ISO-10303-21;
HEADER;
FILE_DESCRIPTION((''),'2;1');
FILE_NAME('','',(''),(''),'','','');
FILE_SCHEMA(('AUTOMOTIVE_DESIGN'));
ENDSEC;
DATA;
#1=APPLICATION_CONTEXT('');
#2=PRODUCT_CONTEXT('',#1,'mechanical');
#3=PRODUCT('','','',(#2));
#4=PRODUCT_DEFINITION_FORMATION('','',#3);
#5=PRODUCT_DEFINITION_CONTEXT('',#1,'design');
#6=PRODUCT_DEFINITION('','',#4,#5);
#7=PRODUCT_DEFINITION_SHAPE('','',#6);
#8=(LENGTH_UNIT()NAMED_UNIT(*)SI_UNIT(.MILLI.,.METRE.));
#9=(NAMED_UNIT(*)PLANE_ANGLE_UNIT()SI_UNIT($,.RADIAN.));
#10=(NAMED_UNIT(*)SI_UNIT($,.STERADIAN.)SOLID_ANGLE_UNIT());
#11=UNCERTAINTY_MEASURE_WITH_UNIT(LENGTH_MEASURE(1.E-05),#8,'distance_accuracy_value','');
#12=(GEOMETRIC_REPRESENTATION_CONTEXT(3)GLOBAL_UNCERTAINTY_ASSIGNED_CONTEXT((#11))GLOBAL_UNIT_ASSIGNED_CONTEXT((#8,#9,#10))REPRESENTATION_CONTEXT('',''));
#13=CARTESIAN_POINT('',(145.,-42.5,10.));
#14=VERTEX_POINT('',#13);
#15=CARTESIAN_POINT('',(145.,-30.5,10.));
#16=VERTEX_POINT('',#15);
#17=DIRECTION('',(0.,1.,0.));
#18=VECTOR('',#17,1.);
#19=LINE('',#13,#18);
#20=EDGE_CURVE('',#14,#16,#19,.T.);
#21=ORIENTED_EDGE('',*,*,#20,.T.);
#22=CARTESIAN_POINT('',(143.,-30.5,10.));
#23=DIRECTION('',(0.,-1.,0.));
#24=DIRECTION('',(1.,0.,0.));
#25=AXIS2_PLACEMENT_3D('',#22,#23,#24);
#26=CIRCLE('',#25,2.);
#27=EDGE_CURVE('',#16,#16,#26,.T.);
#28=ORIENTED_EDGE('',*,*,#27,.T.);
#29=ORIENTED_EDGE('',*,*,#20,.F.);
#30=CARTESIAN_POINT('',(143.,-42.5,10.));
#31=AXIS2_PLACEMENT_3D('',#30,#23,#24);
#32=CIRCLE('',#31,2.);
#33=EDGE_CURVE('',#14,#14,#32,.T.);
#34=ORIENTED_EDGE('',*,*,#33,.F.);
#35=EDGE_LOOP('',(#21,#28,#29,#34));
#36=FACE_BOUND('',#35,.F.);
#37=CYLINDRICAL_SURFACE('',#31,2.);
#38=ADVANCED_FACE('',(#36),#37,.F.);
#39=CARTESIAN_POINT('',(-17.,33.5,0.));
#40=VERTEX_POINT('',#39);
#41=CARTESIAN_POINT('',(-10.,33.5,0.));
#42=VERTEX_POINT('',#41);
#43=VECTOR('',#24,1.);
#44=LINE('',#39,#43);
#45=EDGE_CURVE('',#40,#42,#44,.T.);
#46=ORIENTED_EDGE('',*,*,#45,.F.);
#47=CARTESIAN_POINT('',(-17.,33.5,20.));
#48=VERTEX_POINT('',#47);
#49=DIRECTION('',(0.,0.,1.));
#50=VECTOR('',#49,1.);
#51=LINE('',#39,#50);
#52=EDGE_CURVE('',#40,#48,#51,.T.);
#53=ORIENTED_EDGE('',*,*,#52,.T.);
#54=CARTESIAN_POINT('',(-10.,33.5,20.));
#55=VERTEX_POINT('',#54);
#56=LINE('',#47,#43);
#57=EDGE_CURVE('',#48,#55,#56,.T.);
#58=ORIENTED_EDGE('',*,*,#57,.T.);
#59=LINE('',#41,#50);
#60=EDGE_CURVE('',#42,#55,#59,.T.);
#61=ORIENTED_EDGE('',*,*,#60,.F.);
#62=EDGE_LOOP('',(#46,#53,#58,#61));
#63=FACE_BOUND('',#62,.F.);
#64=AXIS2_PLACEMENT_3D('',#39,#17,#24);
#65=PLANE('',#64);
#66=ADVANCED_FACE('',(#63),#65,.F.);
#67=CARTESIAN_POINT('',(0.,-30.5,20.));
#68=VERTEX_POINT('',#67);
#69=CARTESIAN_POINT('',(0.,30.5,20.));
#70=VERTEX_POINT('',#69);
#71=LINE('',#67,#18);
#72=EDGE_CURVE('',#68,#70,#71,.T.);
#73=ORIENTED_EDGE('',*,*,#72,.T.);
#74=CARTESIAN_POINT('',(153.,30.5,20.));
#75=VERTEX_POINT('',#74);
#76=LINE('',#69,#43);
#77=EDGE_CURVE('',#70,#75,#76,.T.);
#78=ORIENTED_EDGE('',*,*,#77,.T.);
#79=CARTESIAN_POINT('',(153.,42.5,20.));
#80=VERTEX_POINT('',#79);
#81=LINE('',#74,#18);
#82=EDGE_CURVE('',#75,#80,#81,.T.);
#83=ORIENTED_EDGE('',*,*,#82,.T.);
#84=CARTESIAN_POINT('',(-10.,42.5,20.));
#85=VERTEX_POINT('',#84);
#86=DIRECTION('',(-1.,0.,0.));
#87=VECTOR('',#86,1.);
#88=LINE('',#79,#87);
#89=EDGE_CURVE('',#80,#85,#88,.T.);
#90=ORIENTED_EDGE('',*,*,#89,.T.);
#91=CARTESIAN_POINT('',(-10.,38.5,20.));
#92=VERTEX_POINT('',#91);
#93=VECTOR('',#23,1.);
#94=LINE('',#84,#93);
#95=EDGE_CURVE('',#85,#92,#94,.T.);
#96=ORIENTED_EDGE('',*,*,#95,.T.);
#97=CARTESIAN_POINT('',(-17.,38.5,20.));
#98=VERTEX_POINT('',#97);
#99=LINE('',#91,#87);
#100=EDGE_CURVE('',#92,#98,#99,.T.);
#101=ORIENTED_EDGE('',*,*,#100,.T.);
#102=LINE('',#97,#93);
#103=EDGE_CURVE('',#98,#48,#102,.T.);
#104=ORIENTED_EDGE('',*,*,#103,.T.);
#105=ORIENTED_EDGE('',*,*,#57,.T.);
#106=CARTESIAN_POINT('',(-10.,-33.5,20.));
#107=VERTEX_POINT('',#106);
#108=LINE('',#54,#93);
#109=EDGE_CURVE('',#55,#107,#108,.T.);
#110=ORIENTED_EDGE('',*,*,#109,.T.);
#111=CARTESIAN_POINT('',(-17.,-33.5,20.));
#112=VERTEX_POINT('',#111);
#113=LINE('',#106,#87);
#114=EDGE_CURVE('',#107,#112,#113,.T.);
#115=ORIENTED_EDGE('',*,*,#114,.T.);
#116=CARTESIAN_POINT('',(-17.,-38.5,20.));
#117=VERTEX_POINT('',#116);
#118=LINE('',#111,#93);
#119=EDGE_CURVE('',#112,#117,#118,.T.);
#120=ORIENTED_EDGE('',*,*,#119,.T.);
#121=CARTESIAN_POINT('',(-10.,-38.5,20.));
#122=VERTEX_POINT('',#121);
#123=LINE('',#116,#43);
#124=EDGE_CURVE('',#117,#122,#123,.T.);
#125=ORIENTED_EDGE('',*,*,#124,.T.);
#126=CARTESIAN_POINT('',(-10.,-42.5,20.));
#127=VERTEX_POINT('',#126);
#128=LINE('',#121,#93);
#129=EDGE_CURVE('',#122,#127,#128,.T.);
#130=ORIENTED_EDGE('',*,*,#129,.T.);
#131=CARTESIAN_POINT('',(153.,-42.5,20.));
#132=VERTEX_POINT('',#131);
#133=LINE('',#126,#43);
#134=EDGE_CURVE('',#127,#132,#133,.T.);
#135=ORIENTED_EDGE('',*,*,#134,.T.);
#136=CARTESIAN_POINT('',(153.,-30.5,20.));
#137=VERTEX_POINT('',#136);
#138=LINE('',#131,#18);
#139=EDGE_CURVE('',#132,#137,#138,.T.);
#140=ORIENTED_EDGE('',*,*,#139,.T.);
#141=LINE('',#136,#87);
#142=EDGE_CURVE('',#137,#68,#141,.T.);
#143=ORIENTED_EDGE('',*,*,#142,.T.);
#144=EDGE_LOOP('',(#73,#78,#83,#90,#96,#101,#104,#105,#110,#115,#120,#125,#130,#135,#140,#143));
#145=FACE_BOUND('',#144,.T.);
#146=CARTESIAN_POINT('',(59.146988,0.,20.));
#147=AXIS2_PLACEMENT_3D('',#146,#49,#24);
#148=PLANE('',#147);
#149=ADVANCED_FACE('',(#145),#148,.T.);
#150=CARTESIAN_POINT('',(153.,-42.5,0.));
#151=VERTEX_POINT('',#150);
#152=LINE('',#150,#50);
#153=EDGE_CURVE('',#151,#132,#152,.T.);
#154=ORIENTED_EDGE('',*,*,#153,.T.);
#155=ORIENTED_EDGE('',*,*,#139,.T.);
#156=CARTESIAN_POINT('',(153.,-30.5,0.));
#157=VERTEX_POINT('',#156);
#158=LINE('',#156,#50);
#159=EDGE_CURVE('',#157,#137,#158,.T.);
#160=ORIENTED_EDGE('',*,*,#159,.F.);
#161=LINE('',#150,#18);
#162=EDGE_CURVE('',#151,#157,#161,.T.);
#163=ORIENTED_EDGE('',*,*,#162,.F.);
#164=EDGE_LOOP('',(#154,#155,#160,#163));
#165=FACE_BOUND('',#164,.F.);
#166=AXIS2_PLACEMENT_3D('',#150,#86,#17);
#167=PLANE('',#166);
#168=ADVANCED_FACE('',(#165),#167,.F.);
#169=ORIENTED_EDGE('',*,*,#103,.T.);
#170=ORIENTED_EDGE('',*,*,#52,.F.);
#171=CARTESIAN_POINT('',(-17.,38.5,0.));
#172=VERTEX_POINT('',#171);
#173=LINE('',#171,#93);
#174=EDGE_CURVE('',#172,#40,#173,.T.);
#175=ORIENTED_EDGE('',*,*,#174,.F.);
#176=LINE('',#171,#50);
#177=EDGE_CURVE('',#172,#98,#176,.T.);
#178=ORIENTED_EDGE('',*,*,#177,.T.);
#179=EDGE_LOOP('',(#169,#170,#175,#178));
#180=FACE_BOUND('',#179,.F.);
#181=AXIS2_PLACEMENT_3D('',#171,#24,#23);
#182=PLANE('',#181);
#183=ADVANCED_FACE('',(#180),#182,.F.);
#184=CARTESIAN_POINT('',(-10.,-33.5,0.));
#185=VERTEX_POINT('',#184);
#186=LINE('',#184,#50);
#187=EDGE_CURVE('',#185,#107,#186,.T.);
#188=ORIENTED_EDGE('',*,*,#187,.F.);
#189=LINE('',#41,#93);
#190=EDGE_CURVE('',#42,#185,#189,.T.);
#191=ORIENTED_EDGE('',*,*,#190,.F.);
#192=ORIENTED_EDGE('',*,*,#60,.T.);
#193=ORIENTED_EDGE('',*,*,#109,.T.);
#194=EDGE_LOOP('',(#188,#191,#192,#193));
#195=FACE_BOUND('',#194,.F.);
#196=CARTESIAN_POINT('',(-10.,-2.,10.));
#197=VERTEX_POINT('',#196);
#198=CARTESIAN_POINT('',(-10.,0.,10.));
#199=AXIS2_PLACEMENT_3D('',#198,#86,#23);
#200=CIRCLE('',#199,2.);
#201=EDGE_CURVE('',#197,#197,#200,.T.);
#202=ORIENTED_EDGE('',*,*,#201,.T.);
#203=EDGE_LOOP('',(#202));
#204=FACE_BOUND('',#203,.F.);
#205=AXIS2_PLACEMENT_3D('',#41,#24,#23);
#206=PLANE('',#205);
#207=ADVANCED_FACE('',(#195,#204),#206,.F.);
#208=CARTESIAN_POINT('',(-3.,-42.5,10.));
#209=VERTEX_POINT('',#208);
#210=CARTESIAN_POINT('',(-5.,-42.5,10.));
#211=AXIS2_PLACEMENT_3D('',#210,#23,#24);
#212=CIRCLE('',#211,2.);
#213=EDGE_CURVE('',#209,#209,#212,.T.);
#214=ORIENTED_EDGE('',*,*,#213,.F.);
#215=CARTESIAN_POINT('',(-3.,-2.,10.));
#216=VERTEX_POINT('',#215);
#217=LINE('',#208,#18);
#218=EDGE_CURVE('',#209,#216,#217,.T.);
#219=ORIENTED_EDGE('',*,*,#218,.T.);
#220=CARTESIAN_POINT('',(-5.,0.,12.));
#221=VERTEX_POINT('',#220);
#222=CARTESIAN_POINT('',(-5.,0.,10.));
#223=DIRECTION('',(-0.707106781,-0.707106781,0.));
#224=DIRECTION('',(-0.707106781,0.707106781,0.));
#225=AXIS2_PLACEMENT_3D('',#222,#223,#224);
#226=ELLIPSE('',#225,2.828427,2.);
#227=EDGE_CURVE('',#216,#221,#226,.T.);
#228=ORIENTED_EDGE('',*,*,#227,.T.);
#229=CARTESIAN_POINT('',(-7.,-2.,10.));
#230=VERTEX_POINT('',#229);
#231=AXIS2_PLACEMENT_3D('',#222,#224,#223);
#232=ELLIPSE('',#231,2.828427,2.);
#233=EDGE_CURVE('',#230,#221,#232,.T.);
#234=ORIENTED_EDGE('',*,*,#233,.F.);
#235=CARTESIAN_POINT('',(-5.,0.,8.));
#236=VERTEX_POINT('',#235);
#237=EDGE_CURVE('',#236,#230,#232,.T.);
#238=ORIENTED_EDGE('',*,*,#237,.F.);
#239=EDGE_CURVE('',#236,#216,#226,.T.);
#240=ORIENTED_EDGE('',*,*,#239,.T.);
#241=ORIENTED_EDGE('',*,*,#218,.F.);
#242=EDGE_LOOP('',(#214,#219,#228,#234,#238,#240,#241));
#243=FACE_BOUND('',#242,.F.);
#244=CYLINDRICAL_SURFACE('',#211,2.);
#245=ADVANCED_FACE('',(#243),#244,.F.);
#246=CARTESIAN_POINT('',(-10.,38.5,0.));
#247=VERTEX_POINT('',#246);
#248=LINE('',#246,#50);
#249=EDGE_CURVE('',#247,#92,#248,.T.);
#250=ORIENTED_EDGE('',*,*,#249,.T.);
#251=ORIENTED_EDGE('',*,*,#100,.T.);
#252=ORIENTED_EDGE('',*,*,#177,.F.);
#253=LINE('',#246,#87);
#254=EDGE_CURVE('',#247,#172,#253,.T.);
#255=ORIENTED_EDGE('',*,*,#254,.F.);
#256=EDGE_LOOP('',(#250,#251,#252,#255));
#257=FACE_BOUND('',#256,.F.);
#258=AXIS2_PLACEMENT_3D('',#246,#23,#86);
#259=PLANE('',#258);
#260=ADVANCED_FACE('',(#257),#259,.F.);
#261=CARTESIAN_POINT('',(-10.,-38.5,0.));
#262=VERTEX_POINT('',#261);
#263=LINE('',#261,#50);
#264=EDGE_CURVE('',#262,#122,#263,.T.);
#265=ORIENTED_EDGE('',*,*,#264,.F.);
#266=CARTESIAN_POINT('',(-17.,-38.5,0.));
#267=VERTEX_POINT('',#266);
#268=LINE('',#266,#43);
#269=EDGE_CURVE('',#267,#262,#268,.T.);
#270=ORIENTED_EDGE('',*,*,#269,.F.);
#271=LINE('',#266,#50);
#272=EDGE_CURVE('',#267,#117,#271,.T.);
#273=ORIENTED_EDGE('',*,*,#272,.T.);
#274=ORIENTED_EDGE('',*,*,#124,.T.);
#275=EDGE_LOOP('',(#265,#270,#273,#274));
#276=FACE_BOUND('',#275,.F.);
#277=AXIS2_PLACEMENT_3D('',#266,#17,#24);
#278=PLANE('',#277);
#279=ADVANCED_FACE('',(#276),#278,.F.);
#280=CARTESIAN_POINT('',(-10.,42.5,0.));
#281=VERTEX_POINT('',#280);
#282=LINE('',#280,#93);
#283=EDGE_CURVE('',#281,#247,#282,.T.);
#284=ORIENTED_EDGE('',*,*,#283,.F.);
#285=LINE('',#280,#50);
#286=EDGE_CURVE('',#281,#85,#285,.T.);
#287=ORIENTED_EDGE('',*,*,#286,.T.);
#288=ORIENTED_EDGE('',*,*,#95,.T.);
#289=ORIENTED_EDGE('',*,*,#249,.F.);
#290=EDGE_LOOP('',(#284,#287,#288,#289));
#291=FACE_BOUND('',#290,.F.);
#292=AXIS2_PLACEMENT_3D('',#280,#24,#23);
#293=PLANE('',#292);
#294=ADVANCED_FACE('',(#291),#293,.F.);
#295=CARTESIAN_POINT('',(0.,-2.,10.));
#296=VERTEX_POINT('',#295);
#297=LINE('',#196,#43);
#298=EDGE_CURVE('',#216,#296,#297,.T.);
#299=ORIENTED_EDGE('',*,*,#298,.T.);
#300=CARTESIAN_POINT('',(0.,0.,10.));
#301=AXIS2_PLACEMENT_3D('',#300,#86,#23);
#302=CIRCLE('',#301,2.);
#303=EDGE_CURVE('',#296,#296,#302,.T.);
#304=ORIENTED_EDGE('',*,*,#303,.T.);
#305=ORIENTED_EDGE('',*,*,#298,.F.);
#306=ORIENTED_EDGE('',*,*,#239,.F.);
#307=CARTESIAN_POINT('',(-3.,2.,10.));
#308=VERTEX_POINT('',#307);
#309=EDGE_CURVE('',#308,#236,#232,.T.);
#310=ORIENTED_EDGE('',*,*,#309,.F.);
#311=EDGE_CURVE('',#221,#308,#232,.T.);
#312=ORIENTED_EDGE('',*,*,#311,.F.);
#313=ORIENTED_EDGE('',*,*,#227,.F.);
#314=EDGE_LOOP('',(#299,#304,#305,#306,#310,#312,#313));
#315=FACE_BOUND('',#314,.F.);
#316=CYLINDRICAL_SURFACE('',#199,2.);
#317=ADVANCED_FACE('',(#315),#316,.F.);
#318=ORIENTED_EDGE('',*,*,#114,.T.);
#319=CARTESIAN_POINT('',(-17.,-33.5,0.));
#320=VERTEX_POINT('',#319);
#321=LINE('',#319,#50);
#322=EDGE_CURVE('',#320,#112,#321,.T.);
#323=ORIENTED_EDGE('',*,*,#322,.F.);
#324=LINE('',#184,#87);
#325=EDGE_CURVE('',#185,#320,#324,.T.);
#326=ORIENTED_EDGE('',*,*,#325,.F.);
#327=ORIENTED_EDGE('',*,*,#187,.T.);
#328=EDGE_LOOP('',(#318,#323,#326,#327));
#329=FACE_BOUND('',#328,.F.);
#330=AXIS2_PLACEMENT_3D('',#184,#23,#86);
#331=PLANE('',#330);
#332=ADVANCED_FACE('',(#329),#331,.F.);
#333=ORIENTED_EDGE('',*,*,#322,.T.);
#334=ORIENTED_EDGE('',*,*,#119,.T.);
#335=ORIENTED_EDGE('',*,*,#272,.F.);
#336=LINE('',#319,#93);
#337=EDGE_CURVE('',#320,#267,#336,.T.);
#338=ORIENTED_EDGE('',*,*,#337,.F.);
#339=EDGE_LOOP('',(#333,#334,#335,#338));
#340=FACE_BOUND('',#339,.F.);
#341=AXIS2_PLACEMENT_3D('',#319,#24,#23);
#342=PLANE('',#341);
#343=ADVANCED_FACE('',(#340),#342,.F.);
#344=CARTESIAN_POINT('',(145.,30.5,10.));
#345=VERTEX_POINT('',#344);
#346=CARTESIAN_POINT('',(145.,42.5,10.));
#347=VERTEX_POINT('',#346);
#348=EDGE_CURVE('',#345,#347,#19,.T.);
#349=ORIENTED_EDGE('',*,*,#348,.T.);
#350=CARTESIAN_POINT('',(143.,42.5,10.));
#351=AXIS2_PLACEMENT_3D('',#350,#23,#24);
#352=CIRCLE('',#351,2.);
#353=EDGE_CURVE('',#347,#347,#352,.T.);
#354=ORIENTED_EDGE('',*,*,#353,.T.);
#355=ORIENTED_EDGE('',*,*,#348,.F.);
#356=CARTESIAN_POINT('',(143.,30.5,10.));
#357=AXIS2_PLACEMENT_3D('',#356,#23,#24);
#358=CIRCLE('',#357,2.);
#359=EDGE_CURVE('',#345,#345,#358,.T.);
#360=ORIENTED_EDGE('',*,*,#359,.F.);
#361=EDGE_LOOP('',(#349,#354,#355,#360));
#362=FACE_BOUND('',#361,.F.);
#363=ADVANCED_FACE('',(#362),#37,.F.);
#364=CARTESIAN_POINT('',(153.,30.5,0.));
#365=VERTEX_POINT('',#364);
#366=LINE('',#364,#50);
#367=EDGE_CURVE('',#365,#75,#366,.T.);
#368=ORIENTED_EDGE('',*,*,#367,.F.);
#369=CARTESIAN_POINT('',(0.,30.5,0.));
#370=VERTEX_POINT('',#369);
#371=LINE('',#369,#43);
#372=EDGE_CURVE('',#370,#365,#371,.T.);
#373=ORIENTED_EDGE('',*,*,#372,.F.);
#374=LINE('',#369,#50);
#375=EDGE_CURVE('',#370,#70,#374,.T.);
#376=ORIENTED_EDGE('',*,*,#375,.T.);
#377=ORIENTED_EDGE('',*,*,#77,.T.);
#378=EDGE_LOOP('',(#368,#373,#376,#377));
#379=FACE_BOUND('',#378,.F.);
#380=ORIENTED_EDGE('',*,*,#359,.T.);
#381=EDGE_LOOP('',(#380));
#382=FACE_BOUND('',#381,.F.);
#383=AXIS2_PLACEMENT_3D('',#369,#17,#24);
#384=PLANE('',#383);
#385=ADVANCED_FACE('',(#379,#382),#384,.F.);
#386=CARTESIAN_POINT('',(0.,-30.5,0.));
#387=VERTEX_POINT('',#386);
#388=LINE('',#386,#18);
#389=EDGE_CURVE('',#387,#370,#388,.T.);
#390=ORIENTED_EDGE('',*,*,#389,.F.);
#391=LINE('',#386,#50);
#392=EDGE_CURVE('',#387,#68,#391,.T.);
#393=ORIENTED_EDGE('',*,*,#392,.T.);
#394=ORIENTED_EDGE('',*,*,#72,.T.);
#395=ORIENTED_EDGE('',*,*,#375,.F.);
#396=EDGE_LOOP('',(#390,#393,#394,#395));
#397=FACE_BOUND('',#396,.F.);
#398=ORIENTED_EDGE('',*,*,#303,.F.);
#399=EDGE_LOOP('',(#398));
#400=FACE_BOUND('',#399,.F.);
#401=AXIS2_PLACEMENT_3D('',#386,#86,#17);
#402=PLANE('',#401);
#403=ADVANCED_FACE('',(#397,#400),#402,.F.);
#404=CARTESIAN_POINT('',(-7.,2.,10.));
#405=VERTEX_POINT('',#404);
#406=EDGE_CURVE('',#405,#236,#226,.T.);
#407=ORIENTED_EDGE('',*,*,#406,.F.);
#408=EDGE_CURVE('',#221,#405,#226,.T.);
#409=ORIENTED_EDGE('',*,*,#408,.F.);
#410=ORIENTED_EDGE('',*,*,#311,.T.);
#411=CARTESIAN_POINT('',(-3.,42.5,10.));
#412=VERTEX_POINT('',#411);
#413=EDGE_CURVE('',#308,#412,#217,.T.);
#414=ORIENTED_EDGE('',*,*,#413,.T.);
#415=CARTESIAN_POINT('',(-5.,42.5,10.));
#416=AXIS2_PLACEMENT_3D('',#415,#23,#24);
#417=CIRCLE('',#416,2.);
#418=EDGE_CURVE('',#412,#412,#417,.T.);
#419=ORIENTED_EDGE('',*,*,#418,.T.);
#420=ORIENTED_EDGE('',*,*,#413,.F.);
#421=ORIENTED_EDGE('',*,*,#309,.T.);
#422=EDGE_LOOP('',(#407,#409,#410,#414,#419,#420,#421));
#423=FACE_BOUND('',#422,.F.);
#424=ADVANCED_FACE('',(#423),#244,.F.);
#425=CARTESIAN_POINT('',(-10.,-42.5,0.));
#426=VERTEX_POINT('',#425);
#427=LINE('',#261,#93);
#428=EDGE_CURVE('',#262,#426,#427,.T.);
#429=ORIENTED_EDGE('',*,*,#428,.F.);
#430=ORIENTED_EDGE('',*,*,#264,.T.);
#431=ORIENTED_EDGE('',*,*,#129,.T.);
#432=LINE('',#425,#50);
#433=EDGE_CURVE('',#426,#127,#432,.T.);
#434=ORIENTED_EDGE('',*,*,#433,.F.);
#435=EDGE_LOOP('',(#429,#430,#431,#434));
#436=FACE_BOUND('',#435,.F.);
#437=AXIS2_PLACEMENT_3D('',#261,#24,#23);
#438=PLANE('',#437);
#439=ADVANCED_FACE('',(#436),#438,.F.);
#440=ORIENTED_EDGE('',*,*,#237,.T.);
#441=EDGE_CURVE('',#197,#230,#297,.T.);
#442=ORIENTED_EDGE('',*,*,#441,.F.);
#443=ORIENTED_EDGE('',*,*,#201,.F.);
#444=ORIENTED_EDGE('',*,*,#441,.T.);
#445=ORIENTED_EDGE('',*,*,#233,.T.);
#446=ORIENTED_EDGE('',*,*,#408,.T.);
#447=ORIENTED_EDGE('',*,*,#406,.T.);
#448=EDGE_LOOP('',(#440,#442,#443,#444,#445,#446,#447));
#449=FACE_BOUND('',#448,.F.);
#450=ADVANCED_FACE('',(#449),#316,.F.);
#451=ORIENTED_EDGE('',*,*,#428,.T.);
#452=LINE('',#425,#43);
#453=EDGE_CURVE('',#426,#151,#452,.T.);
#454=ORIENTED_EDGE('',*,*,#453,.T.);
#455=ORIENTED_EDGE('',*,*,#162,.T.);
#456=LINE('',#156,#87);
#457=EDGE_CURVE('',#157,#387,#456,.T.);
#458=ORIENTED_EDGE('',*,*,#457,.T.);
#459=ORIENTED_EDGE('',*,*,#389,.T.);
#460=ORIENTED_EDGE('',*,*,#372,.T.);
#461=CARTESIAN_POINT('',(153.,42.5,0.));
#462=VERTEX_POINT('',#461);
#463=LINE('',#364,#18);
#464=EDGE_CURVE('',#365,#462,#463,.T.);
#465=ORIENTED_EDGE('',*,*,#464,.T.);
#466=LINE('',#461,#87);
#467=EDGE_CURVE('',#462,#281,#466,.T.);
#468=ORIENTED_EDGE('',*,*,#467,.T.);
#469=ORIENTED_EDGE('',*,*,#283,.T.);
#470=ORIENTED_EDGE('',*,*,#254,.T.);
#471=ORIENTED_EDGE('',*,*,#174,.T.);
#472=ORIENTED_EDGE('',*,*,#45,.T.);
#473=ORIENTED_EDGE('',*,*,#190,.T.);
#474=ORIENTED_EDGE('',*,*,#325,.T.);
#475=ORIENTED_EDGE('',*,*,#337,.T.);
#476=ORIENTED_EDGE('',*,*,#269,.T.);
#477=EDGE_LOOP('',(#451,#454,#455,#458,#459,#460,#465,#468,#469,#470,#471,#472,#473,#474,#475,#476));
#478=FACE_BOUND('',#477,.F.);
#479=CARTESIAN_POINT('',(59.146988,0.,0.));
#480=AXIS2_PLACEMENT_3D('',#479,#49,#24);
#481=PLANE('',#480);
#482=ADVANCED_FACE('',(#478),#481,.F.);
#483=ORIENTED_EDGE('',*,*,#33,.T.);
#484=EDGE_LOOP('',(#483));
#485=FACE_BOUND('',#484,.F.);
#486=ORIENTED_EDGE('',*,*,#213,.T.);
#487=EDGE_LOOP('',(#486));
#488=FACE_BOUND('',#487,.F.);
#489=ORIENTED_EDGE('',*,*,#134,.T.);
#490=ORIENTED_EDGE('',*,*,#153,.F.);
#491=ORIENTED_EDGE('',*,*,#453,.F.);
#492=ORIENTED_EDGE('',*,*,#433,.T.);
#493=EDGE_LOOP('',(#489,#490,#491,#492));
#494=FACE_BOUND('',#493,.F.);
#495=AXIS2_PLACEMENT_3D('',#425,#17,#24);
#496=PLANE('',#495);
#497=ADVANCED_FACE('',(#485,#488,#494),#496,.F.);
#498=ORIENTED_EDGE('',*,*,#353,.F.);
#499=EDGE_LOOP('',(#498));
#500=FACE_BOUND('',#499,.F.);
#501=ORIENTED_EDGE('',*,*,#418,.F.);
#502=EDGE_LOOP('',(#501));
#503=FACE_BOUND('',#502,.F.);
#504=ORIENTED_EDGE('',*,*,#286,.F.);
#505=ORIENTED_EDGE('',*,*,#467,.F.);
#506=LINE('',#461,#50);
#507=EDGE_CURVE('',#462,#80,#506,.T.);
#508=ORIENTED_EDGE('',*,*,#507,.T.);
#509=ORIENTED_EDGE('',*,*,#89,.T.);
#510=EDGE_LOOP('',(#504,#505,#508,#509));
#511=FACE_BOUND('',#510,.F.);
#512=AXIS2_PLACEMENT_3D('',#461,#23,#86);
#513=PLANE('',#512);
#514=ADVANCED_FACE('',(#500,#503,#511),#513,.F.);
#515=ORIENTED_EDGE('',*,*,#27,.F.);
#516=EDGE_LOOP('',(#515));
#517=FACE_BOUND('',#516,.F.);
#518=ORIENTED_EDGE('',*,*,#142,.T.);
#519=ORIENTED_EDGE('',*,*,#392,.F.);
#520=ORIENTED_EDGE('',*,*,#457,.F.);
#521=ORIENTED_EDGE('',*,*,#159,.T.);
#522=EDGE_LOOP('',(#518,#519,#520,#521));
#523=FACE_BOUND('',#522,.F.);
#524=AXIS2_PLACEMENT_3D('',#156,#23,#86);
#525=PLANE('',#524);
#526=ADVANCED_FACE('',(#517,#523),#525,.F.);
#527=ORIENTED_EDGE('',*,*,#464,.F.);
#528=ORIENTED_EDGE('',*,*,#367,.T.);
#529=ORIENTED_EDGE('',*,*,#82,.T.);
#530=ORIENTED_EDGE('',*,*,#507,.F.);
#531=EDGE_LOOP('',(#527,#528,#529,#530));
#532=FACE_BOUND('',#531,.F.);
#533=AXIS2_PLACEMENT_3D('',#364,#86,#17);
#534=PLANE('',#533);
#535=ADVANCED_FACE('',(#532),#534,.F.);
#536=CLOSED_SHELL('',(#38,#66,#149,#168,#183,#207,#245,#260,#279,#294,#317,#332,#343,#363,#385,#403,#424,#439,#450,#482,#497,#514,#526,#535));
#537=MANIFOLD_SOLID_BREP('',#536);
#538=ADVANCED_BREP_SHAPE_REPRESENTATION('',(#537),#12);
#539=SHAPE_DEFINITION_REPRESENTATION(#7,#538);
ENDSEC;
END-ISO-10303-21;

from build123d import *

# Parameters (mm, degrees)
PAD_DEPTH       = 20
SKETCH004_R     = 2
POCKET002_DEPTH = 163.001
SKETCH005_R     = 2
POCKET003_DEPTH = 85.001


with BuildPart() as part:
    # Sketch → Pad (new body)
    with BuildSketch(Plane.XY):
        Polygon((-10, -42.5), (153, -42.5), (153, -30.5), (0, -30.5), (0, 30.5), (153, 30.5), (153, 42.5), (-10, 42.5), (-10, 38.5), (-17, 38.5), (-17, 33.5), (-10, 33.5), (-10, -33.5), (-17, -33.5), (-17, -38.5), (-10, -38.5), align=None)
    extrude(amount=PAD_DEPTH)

    # Sketch004 → Pocket002 (cut, through all)
    with BuildSketch(Plane(origin=(-10, 0, 0), x_dir=(0, -1, 0), z_dir=(-1, 0, 0))):
        with Locations((0, 10)):
            Circle(SKETCH004_R)
    extrude(amount=-POCKET002_DEPTH, mode=Mode.SUBTRACT)

    # Sketch005 → Pocket003 (cut, through all)
    with BuildSketch(Plane.XZ.offset(42.5)):
        with Locations((-5, 10)):
            Circle(SKETCH005_R)
        with Locations((143, 10)):
            Circle(SKETCH005_R)
    extrude(amount=-POCKET003_DEPTH, mode=Mode.SUBTRACT)


solid = part.part
